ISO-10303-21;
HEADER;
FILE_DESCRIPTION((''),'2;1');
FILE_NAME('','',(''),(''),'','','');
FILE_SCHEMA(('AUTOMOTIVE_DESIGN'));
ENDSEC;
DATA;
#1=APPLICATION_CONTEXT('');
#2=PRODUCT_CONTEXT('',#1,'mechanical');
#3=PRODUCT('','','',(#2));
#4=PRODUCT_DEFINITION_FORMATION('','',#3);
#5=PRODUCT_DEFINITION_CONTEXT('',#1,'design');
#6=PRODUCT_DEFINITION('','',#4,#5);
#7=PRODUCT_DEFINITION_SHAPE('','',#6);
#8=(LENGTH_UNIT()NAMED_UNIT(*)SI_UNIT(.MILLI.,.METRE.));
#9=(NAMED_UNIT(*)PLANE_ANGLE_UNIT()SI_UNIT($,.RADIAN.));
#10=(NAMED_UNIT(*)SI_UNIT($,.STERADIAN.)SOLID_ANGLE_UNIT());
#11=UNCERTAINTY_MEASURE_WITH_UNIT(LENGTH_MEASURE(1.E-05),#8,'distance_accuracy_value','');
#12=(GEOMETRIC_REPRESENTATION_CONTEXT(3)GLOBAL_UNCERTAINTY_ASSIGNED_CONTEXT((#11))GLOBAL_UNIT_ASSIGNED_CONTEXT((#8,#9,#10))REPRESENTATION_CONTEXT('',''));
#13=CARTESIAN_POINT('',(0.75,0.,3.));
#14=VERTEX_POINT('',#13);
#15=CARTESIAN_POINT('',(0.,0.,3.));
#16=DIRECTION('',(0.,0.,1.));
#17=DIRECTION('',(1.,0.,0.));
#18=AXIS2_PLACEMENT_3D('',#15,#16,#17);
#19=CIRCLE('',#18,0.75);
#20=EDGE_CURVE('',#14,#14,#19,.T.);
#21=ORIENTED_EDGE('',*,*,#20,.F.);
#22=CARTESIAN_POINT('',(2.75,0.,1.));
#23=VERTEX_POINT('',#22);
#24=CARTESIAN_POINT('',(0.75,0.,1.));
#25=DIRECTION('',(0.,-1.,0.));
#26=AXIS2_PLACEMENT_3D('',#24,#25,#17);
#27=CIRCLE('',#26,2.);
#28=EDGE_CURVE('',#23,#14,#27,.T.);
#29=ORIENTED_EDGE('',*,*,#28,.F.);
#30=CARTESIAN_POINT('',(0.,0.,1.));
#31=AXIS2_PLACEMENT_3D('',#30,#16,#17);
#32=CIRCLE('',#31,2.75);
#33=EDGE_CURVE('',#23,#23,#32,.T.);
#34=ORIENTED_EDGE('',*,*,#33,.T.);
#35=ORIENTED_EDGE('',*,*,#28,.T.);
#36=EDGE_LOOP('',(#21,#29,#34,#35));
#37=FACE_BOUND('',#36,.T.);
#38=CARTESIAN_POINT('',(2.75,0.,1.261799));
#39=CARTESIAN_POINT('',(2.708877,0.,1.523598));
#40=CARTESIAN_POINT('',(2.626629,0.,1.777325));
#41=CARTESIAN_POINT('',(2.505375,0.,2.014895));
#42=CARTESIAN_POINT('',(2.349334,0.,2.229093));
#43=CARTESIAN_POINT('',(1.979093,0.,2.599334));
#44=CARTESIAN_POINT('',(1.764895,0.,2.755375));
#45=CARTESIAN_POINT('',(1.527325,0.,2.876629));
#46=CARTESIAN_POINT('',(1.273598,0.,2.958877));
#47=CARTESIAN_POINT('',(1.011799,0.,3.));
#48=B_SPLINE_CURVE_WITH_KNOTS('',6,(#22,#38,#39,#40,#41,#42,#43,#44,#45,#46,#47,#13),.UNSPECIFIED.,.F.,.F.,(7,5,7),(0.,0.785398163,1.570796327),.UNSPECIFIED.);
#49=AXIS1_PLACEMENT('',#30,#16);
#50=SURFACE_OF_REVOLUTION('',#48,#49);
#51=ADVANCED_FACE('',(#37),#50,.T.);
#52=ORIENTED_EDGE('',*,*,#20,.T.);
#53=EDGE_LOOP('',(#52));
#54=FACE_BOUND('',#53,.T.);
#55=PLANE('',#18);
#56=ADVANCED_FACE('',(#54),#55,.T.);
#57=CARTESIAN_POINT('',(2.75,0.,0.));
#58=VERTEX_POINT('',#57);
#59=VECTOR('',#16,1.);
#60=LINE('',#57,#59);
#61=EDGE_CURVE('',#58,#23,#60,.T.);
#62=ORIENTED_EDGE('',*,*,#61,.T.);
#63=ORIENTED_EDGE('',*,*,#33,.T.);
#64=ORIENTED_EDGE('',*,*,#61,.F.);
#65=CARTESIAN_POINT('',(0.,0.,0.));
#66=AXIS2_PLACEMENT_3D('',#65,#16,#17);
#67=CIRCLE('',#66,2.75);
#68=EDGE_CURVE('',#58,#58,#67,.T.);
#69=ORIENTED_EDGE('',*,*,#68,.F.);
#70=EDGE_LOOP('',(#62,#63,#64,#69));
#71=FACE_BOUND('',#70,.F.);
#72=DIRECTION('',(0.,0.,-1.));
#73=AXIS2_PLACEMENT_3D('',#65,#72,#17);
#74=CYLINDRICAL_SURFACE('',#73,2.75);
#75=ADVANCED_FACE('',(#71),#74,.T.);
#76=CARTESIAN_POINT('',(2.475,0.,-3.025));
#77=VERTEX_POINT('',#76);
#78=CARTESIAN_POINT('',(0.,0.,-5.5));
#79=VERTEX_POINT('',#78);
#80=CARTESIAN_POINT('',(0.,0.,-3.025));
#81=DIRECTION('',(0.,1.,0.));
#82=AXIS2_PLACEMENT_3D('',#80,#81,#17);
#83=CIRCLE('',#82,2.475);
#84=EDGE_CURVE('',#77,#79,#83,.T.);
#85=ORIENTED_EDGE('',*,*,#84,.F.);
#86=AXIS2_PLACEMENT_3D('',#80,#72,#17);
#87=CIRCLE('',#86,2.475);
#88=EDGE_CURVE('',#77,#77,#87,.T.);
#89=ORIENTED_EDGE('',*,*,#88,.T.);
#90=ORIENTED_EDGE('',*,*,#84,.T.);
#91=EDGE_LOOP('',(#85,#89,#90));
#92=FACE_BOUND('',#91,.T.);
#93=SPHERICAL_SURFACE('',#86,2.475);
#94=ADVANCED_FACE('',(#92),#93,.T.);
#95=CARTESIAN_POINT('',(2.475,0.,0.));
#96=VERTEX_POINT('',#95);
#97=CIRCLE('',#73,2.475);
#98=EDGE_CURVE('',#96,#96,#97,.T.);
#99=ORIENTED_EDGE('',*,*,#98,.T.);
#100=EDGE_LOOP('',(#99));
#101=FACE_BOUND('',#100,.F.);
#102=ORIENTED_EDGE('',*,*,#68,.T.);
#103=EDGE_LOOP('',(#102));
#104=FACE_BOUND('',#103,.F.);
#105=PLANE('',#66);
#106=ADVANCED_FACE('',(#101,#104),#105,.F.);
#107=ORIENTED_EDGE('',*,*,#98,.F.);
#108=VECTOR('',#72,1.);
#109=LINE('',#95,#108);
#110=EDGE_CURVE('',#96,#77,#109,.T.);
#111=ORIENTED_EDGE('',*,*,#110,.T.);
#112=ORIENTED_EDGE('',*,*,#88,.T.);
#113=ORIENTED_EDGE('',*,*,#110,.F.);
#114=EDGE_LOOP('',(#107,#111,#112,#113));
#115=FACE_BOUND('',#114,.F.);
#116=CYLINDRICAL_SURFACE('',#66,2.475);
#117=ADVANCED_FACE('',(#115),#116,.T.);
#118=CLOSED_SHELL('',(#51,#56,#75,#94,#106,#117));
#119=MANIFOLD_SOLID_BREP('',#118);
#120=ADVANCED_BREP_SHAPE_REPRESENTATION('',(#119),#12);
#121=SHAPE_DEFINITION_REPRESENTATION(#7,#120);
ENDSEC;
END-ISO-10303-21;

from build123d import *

# Parameters (mm, degrees)
F0_R     = 2.75
F1_DEPTH = 3
F2_R     = 2
F3_R     = 2.475
F4_DEPTH = 5.5
F5_R     = 2.475


with BuildPart() as f1:
    # F0 (on Top) → F1 (new body)
    with BuildSketch(Plane.XY):
        Circle(F0_R)
    extrude(amount=F1_DEPTH)

    # F2
    f2_edges = [f1.edges().sort_by_distance(p)[0] for p in [
        (-2.75, 0, 3),
    ]]
    fillet(f2_edges, radius=F2_R)

    # F3 (on face) → F4 (join)
    with BuildSketch(Plane(origin=(0, 0, 0), x_dir=(1, 0, 0), z_dir=(0, 0, -1))):
        Circle(F3_R)
    extrude(amount=F4_DEPTH)

    # F5
    f5_edges = [f1.edges().sort_by_distance(p)[0] for p in [
        (-2.475, 0, -5.5),
    ]]
    fillet(f5_edges, radius=F5_R)


solid = f1.part
